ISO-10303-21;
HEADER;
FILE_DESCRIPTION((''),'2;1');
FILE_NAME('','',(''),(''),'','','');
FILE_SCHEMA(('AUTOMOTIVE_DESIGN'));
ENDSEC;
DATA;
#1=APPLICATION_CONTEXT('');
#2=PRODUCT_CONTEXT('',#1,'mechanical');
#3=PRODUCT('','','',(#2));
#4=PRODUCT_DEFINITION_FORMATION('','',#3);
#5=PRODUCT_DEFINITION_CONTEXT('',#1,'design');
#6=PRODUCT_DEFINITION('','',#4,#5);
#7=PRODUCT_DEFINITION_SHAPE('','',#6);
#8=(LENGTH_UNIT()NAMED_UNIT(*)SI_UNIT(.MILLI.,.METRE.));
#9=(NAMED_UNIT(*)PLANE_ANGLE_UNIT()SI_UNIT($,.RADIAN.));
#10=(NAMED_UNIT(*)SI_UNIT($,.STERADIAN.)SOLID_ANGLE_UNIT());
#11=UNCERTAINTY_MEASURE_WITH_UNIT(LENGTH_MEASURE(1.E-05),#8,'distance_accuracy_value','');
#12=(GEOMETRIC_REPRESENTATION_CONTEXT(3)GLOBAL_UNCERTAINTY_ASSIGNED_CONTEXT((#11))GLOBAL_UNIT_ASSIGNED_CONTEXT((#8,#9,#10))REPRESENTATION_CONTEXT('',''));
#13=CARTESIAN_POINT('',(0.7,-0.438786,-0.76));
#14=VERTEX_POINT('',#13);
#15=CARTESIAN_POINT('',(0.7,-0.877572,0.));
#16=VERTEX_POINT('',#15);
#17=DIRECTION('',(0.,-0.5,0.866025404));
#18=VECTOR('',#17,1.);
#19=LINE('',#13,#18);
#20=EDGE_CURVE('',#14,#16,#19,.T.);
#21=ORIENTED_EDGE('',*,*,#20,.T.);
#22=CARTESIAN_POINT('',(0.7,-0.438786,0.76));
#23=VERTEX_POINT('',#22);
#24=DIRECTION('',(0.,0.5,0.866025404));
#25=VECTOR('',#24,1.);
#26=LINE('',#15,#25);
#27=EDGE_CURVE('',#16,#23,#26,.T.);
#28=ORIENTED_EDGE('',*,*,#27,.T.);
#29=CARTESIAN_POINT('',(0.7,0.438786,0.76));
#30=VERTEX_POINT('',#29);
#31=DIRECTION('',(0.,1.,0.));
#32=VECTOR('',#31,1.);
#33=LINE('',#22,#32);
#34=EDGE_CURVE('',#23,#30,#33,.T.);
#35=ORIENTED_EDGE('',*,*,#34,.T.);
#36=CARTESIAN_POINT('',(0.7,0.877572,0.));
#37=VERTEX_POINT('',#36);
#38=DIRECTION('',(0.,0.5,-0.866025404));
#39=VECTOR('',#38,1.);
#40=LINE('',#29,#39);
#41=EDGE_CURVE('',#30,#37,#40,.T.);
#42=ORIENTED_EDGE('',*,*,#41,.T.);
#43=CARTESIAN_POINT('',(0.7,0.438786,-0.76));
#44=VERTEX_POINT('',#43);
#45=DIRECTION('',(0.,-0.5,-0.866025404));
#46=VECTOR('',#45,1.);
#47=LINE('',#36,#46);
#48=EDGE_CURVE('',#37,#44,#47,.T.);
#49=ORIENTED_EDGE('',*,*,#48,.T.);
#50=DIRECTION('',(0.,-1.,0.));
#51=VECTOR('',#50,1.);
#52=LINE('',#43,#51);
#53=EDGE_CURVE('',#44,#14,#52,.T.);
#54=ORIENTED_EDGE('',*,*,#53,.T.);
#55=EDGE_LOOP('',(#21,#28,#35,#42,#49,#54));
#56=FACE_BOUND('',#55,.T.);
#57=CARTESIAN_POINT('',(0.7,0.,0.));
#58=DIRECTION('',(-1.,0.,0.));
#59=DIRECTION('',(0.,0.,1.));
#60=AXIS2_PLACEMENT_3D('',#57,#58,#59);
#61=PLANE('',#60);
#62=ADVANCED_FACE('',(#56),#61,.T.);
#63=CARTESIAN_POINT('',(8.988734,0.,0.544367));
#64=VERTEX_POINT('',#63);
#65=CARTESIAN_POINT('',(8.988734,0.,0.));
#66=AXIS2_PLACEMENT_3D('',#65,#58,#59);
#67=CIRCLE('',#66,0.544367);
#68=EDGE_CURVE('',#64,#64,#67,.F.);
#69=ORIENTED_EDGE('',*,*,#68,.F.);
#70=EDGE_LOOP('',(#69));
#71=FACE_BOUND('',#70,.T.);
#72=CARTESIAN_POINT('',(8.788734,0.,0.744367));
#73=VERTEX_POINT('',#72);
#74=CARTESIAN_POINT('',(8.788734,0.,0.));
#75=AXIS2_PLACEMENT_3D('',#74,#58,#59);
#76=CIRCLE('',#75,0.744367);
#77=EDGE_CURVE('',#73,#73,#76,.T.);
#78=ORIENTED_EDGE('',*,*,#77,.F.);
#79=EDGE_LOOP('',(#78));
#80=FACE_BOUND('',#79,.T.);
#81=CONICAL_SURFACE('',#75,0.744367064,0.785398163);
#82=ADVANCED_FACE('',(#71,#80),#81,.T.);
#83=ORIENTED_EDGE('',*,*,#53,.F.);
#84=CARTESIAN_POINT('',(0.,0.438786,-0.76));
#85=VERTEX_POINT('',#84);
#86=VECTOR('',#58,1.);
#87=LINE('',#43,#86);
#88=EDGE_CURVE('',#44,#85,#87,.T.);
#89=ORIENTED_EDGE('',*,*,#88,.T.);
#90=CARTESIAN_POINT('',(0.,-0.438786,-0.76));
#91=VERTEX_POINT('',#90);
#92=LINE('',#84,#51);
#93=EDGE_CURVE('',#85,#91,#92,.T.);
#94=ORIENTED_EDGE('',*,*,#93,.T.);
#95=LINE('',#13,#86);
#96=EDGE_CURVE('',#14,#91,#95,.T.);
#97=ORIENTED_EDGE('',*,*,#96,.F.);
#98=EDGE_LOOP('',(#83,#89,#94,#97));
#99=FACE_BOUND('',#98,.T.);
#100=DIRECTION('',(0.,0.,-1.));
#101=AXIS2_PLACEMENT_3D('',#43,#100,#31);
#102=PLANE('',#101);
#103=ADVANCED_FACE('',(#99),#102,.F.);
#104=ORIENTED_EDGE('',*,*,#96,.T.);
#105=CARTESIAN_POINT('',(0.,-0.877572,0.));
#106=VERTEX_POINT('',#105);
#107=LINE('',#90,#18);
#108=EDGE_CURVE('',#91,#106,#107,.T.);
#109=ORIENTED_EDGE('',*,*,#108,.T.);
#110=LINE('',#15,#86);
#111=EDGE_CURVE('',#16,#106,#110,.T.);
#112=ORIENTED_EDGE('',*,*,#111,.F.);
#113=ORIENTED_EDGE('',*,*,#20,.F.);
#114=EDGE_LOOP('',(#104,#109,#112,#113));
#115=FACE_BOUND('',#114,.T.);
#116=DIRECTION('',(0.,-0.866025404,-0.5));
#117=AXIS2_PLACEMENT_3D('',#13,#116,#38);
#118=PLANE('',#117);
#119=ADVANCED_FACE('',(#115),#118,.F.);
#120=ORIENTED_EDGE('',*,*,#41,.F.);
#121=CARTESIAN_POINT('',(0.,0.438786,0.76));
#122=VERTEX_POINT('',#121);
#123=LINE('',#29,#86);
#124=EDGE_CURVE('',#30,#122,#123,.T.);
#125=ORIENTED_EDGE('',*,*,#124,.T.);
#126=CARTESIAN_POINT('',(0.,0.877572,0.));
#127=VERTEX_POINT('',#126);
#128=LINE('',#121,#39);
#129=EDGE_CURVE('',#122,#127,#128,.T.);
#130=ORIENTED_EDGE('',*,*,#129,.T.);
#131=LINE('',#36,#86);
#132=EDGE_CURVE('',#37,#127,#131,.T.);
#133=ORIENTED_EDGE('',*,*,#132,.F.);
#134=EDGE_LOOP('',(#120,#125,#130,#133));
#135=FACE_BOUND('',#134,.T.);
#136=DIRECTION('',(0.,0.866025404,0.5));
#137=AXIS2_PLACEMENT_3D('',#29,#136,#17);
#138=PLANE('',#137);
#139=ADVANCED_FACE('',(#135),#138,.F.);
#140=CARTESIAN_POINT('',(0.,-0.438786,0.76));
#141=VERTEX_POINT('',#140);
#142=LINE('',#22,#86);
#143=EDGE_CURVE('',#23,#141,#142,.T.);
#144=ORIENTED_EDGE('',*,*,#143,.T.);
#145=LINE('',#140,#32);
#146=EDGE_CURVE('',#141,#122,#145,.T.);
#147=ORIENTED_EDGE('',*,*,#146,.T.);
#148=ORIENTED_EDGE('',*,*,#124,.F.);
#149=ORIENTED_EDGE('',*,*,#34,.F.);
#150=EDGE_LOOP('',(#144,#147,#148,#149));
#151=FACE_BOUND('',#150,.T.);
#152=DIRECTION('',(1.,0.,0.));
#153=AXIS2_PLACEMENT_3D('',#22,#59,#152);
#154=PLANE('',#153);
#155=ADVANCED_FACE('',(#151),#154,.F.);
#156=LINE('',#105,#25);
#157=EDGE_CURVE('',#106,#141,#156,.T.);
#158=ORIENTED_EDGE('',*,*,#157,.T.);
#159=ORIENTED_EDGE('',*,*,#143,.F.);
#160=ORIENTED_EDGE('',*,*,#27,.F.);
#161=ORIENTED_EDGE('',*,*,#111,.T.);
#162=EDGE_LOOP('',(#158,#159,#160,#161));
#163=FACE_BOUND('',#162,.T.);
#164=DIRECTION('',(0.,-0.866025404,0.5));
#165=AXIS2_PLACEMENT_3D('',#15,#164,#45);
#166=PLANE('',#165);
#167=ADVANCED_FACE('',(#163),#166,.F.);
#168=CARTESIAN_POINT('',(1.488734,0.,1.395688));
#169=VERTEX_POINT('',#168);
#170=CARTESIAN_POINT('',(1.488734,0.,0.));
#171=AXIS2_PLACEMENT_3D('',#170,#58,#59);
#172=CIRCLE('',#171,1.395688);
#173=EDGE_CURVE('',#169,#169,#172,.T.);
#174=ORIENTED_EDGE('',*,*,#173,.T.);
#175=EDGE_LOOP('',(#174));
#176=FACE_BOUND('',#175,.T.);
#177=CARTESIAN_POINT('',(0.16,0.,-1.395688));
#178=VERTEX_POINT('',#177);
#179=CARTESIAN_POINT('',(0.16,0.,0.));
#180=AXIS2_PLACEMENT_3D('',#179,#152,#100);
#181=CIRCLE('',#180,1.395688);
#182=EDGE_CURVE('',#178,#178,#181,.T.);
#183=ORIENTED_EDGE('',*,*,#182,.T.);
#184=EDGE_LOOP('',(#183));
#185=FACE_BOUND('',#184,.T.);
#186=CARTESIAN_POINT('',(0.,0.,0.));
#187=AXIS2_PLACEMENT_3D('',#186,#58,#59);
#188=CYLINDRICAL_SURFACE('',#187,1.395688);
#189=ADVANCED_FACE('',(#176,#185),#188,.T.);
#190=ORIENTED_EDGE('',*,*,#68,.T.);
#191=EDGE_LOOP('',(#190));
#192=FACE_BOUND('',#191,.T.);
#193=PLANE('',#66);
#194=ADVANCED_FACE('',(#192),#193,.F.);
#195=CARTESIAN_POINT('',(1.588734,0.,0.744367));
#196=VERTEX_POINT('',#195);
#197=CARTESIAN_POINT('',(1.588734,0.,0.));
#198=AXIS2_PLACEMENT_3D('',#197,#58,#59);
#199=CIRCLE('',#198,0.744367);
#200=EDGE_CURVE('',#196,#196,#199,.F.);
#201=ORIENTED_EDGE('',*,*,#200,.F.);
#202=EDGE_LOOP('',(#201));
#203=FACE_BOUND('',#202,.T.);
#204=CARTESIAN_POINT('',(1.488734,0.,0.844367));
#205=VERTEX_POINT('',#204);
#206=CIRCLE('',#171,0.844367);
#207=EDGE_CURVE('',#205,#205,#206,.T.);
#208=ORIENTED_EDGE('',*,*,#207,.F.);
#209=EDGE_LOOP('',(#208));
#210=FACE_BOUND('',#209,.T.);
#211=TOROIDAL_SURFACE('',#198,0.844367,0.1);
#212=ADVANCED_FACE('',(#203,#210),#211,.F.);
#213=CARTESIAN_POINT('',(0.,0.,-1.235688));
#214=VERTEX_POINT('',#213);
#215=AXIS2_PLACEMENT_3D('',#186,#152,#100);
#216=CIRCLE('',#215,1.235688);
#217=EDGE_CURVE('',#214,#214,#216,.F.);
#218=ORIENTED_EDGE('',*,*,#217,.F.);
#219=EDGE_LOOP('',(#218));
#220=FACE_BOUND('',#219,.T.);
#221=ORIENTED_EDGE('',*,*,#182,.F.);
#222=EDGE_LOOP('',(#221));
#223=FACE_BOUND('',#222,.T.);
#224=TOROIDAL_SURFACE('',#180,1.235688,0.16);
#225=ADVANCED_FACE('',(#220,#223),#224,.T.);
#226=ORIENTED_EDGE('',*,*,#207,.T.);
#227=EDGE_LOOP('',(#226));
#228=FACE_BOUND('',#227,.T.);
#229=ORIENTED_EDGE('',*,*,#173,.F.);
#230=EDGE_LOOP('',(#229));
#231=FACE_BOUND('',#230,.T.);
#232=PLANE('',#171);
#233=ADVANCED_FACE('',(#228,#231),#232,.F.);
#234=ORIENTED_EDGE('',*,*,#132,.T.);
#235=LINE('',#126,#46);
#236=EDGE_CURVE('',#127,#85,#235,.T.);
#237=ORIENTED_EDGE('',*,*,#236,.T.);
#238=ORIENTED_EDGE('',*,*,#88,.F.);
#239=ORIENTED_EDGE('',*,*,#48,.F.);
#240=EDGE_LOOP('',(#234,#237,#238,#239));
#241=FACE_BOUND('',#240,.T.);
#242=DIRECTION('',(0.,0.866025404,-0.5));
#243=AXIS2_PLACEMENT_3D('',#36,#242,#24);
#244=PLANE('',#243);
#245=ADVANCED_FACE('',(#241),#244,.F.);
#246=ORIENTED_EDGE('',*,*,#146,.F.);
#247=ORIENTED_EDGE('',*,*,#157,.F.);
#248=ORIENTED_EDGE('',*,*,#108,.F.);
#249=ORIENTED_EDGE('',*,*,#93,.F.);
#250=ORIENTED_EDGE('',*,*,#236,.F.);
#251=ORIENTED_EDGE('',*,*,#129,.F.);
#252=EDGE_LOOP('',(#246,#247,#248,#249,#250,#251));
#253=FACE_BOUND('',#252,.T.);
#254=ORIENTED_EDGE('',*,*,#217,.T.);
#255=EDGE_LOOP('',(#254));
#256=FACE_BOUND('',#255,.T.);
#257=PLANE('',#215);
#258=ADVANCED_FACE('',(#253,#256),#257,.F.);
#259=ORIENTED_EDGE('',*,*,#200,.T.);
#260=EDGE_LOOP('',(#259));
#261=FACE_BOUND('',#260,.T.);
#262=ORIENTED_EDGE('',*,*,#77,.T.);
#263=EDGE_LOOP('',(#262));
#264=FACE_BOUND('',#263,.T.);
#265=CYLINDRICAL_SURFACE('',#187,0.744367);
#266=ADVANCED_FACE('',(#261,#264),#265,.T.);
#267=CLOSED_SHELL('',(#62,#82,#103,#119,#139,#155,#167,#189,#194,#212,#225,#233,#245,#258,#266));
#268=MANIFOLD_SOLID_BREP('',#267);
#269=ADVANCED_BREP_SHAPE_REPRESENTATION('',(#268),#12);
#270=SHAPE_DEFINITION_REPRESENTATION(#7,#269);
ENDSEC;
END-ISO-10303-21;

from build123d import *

# Parameters (mm, degrees)
FILLET1_R      = 0.1
FILLET2_R      = 0.16
CHAMFER1_SIZE  = 0.2
EXTRUDE1_DEPTH = 0.7


with BuildPart() as part:
    # Sketch1 → Revolve1 (revolve)
    with BuildSketch(Plane.XY, mode=Mode.PRIVATE) as revolve1_sk:
        Polygon((0, 1.395688245), (0, 0), (8.988734128, 0), (8.988734128, 0.744367064), (1.488734128, 0.744367064), (1.488734128, 1.395688245), align=None)
    revolve(revolve1_sk.sketch.rotate(Axis((0, 0, 0), (1, 0, 0)), 90), axis=Axis((0, 0, 0), (1, 0, 0)))

    # Fillet1
    fillet1_edges = [part.edges().sort_by_distance(p)[0] for p in [
        (1.488734128, 0, -0.744367064),
    ]]
    fillet(fillet1_edges, radius=FILLET1_R)

    # Fillet2
    fillet2_edges = [part.edges().sort_by_distance(p)[0] for p in [
        (0, 0, -1.395688245),
    ]]
    fillet(fillet2_edges, radius=FILLET2_R)

    # Chamfer1
    chamfer1_edges = [part.edges().sort_by_distance(p)[0] for p in [
        (8.988734128, 0, -0.744367064),
    ]]
    chamfer(chamfer1_edges, length=CHAMFER1_SIZE)

    # Sketch2 → Extrude1 (cut)
    with BuildSketch(Plane.ZY):
        Polygon((0, 0.877572409), (-0.76, 0.438786205), (-0.76, -0.438786205), (0, -0.877572409), (0.76, -0.438786205), (0.76, 0.438786205), align=None)
    extrude(amount=-EXTRUDE1_DEPTH, mode=Mode.SUBTRACT)


solid = part.part
